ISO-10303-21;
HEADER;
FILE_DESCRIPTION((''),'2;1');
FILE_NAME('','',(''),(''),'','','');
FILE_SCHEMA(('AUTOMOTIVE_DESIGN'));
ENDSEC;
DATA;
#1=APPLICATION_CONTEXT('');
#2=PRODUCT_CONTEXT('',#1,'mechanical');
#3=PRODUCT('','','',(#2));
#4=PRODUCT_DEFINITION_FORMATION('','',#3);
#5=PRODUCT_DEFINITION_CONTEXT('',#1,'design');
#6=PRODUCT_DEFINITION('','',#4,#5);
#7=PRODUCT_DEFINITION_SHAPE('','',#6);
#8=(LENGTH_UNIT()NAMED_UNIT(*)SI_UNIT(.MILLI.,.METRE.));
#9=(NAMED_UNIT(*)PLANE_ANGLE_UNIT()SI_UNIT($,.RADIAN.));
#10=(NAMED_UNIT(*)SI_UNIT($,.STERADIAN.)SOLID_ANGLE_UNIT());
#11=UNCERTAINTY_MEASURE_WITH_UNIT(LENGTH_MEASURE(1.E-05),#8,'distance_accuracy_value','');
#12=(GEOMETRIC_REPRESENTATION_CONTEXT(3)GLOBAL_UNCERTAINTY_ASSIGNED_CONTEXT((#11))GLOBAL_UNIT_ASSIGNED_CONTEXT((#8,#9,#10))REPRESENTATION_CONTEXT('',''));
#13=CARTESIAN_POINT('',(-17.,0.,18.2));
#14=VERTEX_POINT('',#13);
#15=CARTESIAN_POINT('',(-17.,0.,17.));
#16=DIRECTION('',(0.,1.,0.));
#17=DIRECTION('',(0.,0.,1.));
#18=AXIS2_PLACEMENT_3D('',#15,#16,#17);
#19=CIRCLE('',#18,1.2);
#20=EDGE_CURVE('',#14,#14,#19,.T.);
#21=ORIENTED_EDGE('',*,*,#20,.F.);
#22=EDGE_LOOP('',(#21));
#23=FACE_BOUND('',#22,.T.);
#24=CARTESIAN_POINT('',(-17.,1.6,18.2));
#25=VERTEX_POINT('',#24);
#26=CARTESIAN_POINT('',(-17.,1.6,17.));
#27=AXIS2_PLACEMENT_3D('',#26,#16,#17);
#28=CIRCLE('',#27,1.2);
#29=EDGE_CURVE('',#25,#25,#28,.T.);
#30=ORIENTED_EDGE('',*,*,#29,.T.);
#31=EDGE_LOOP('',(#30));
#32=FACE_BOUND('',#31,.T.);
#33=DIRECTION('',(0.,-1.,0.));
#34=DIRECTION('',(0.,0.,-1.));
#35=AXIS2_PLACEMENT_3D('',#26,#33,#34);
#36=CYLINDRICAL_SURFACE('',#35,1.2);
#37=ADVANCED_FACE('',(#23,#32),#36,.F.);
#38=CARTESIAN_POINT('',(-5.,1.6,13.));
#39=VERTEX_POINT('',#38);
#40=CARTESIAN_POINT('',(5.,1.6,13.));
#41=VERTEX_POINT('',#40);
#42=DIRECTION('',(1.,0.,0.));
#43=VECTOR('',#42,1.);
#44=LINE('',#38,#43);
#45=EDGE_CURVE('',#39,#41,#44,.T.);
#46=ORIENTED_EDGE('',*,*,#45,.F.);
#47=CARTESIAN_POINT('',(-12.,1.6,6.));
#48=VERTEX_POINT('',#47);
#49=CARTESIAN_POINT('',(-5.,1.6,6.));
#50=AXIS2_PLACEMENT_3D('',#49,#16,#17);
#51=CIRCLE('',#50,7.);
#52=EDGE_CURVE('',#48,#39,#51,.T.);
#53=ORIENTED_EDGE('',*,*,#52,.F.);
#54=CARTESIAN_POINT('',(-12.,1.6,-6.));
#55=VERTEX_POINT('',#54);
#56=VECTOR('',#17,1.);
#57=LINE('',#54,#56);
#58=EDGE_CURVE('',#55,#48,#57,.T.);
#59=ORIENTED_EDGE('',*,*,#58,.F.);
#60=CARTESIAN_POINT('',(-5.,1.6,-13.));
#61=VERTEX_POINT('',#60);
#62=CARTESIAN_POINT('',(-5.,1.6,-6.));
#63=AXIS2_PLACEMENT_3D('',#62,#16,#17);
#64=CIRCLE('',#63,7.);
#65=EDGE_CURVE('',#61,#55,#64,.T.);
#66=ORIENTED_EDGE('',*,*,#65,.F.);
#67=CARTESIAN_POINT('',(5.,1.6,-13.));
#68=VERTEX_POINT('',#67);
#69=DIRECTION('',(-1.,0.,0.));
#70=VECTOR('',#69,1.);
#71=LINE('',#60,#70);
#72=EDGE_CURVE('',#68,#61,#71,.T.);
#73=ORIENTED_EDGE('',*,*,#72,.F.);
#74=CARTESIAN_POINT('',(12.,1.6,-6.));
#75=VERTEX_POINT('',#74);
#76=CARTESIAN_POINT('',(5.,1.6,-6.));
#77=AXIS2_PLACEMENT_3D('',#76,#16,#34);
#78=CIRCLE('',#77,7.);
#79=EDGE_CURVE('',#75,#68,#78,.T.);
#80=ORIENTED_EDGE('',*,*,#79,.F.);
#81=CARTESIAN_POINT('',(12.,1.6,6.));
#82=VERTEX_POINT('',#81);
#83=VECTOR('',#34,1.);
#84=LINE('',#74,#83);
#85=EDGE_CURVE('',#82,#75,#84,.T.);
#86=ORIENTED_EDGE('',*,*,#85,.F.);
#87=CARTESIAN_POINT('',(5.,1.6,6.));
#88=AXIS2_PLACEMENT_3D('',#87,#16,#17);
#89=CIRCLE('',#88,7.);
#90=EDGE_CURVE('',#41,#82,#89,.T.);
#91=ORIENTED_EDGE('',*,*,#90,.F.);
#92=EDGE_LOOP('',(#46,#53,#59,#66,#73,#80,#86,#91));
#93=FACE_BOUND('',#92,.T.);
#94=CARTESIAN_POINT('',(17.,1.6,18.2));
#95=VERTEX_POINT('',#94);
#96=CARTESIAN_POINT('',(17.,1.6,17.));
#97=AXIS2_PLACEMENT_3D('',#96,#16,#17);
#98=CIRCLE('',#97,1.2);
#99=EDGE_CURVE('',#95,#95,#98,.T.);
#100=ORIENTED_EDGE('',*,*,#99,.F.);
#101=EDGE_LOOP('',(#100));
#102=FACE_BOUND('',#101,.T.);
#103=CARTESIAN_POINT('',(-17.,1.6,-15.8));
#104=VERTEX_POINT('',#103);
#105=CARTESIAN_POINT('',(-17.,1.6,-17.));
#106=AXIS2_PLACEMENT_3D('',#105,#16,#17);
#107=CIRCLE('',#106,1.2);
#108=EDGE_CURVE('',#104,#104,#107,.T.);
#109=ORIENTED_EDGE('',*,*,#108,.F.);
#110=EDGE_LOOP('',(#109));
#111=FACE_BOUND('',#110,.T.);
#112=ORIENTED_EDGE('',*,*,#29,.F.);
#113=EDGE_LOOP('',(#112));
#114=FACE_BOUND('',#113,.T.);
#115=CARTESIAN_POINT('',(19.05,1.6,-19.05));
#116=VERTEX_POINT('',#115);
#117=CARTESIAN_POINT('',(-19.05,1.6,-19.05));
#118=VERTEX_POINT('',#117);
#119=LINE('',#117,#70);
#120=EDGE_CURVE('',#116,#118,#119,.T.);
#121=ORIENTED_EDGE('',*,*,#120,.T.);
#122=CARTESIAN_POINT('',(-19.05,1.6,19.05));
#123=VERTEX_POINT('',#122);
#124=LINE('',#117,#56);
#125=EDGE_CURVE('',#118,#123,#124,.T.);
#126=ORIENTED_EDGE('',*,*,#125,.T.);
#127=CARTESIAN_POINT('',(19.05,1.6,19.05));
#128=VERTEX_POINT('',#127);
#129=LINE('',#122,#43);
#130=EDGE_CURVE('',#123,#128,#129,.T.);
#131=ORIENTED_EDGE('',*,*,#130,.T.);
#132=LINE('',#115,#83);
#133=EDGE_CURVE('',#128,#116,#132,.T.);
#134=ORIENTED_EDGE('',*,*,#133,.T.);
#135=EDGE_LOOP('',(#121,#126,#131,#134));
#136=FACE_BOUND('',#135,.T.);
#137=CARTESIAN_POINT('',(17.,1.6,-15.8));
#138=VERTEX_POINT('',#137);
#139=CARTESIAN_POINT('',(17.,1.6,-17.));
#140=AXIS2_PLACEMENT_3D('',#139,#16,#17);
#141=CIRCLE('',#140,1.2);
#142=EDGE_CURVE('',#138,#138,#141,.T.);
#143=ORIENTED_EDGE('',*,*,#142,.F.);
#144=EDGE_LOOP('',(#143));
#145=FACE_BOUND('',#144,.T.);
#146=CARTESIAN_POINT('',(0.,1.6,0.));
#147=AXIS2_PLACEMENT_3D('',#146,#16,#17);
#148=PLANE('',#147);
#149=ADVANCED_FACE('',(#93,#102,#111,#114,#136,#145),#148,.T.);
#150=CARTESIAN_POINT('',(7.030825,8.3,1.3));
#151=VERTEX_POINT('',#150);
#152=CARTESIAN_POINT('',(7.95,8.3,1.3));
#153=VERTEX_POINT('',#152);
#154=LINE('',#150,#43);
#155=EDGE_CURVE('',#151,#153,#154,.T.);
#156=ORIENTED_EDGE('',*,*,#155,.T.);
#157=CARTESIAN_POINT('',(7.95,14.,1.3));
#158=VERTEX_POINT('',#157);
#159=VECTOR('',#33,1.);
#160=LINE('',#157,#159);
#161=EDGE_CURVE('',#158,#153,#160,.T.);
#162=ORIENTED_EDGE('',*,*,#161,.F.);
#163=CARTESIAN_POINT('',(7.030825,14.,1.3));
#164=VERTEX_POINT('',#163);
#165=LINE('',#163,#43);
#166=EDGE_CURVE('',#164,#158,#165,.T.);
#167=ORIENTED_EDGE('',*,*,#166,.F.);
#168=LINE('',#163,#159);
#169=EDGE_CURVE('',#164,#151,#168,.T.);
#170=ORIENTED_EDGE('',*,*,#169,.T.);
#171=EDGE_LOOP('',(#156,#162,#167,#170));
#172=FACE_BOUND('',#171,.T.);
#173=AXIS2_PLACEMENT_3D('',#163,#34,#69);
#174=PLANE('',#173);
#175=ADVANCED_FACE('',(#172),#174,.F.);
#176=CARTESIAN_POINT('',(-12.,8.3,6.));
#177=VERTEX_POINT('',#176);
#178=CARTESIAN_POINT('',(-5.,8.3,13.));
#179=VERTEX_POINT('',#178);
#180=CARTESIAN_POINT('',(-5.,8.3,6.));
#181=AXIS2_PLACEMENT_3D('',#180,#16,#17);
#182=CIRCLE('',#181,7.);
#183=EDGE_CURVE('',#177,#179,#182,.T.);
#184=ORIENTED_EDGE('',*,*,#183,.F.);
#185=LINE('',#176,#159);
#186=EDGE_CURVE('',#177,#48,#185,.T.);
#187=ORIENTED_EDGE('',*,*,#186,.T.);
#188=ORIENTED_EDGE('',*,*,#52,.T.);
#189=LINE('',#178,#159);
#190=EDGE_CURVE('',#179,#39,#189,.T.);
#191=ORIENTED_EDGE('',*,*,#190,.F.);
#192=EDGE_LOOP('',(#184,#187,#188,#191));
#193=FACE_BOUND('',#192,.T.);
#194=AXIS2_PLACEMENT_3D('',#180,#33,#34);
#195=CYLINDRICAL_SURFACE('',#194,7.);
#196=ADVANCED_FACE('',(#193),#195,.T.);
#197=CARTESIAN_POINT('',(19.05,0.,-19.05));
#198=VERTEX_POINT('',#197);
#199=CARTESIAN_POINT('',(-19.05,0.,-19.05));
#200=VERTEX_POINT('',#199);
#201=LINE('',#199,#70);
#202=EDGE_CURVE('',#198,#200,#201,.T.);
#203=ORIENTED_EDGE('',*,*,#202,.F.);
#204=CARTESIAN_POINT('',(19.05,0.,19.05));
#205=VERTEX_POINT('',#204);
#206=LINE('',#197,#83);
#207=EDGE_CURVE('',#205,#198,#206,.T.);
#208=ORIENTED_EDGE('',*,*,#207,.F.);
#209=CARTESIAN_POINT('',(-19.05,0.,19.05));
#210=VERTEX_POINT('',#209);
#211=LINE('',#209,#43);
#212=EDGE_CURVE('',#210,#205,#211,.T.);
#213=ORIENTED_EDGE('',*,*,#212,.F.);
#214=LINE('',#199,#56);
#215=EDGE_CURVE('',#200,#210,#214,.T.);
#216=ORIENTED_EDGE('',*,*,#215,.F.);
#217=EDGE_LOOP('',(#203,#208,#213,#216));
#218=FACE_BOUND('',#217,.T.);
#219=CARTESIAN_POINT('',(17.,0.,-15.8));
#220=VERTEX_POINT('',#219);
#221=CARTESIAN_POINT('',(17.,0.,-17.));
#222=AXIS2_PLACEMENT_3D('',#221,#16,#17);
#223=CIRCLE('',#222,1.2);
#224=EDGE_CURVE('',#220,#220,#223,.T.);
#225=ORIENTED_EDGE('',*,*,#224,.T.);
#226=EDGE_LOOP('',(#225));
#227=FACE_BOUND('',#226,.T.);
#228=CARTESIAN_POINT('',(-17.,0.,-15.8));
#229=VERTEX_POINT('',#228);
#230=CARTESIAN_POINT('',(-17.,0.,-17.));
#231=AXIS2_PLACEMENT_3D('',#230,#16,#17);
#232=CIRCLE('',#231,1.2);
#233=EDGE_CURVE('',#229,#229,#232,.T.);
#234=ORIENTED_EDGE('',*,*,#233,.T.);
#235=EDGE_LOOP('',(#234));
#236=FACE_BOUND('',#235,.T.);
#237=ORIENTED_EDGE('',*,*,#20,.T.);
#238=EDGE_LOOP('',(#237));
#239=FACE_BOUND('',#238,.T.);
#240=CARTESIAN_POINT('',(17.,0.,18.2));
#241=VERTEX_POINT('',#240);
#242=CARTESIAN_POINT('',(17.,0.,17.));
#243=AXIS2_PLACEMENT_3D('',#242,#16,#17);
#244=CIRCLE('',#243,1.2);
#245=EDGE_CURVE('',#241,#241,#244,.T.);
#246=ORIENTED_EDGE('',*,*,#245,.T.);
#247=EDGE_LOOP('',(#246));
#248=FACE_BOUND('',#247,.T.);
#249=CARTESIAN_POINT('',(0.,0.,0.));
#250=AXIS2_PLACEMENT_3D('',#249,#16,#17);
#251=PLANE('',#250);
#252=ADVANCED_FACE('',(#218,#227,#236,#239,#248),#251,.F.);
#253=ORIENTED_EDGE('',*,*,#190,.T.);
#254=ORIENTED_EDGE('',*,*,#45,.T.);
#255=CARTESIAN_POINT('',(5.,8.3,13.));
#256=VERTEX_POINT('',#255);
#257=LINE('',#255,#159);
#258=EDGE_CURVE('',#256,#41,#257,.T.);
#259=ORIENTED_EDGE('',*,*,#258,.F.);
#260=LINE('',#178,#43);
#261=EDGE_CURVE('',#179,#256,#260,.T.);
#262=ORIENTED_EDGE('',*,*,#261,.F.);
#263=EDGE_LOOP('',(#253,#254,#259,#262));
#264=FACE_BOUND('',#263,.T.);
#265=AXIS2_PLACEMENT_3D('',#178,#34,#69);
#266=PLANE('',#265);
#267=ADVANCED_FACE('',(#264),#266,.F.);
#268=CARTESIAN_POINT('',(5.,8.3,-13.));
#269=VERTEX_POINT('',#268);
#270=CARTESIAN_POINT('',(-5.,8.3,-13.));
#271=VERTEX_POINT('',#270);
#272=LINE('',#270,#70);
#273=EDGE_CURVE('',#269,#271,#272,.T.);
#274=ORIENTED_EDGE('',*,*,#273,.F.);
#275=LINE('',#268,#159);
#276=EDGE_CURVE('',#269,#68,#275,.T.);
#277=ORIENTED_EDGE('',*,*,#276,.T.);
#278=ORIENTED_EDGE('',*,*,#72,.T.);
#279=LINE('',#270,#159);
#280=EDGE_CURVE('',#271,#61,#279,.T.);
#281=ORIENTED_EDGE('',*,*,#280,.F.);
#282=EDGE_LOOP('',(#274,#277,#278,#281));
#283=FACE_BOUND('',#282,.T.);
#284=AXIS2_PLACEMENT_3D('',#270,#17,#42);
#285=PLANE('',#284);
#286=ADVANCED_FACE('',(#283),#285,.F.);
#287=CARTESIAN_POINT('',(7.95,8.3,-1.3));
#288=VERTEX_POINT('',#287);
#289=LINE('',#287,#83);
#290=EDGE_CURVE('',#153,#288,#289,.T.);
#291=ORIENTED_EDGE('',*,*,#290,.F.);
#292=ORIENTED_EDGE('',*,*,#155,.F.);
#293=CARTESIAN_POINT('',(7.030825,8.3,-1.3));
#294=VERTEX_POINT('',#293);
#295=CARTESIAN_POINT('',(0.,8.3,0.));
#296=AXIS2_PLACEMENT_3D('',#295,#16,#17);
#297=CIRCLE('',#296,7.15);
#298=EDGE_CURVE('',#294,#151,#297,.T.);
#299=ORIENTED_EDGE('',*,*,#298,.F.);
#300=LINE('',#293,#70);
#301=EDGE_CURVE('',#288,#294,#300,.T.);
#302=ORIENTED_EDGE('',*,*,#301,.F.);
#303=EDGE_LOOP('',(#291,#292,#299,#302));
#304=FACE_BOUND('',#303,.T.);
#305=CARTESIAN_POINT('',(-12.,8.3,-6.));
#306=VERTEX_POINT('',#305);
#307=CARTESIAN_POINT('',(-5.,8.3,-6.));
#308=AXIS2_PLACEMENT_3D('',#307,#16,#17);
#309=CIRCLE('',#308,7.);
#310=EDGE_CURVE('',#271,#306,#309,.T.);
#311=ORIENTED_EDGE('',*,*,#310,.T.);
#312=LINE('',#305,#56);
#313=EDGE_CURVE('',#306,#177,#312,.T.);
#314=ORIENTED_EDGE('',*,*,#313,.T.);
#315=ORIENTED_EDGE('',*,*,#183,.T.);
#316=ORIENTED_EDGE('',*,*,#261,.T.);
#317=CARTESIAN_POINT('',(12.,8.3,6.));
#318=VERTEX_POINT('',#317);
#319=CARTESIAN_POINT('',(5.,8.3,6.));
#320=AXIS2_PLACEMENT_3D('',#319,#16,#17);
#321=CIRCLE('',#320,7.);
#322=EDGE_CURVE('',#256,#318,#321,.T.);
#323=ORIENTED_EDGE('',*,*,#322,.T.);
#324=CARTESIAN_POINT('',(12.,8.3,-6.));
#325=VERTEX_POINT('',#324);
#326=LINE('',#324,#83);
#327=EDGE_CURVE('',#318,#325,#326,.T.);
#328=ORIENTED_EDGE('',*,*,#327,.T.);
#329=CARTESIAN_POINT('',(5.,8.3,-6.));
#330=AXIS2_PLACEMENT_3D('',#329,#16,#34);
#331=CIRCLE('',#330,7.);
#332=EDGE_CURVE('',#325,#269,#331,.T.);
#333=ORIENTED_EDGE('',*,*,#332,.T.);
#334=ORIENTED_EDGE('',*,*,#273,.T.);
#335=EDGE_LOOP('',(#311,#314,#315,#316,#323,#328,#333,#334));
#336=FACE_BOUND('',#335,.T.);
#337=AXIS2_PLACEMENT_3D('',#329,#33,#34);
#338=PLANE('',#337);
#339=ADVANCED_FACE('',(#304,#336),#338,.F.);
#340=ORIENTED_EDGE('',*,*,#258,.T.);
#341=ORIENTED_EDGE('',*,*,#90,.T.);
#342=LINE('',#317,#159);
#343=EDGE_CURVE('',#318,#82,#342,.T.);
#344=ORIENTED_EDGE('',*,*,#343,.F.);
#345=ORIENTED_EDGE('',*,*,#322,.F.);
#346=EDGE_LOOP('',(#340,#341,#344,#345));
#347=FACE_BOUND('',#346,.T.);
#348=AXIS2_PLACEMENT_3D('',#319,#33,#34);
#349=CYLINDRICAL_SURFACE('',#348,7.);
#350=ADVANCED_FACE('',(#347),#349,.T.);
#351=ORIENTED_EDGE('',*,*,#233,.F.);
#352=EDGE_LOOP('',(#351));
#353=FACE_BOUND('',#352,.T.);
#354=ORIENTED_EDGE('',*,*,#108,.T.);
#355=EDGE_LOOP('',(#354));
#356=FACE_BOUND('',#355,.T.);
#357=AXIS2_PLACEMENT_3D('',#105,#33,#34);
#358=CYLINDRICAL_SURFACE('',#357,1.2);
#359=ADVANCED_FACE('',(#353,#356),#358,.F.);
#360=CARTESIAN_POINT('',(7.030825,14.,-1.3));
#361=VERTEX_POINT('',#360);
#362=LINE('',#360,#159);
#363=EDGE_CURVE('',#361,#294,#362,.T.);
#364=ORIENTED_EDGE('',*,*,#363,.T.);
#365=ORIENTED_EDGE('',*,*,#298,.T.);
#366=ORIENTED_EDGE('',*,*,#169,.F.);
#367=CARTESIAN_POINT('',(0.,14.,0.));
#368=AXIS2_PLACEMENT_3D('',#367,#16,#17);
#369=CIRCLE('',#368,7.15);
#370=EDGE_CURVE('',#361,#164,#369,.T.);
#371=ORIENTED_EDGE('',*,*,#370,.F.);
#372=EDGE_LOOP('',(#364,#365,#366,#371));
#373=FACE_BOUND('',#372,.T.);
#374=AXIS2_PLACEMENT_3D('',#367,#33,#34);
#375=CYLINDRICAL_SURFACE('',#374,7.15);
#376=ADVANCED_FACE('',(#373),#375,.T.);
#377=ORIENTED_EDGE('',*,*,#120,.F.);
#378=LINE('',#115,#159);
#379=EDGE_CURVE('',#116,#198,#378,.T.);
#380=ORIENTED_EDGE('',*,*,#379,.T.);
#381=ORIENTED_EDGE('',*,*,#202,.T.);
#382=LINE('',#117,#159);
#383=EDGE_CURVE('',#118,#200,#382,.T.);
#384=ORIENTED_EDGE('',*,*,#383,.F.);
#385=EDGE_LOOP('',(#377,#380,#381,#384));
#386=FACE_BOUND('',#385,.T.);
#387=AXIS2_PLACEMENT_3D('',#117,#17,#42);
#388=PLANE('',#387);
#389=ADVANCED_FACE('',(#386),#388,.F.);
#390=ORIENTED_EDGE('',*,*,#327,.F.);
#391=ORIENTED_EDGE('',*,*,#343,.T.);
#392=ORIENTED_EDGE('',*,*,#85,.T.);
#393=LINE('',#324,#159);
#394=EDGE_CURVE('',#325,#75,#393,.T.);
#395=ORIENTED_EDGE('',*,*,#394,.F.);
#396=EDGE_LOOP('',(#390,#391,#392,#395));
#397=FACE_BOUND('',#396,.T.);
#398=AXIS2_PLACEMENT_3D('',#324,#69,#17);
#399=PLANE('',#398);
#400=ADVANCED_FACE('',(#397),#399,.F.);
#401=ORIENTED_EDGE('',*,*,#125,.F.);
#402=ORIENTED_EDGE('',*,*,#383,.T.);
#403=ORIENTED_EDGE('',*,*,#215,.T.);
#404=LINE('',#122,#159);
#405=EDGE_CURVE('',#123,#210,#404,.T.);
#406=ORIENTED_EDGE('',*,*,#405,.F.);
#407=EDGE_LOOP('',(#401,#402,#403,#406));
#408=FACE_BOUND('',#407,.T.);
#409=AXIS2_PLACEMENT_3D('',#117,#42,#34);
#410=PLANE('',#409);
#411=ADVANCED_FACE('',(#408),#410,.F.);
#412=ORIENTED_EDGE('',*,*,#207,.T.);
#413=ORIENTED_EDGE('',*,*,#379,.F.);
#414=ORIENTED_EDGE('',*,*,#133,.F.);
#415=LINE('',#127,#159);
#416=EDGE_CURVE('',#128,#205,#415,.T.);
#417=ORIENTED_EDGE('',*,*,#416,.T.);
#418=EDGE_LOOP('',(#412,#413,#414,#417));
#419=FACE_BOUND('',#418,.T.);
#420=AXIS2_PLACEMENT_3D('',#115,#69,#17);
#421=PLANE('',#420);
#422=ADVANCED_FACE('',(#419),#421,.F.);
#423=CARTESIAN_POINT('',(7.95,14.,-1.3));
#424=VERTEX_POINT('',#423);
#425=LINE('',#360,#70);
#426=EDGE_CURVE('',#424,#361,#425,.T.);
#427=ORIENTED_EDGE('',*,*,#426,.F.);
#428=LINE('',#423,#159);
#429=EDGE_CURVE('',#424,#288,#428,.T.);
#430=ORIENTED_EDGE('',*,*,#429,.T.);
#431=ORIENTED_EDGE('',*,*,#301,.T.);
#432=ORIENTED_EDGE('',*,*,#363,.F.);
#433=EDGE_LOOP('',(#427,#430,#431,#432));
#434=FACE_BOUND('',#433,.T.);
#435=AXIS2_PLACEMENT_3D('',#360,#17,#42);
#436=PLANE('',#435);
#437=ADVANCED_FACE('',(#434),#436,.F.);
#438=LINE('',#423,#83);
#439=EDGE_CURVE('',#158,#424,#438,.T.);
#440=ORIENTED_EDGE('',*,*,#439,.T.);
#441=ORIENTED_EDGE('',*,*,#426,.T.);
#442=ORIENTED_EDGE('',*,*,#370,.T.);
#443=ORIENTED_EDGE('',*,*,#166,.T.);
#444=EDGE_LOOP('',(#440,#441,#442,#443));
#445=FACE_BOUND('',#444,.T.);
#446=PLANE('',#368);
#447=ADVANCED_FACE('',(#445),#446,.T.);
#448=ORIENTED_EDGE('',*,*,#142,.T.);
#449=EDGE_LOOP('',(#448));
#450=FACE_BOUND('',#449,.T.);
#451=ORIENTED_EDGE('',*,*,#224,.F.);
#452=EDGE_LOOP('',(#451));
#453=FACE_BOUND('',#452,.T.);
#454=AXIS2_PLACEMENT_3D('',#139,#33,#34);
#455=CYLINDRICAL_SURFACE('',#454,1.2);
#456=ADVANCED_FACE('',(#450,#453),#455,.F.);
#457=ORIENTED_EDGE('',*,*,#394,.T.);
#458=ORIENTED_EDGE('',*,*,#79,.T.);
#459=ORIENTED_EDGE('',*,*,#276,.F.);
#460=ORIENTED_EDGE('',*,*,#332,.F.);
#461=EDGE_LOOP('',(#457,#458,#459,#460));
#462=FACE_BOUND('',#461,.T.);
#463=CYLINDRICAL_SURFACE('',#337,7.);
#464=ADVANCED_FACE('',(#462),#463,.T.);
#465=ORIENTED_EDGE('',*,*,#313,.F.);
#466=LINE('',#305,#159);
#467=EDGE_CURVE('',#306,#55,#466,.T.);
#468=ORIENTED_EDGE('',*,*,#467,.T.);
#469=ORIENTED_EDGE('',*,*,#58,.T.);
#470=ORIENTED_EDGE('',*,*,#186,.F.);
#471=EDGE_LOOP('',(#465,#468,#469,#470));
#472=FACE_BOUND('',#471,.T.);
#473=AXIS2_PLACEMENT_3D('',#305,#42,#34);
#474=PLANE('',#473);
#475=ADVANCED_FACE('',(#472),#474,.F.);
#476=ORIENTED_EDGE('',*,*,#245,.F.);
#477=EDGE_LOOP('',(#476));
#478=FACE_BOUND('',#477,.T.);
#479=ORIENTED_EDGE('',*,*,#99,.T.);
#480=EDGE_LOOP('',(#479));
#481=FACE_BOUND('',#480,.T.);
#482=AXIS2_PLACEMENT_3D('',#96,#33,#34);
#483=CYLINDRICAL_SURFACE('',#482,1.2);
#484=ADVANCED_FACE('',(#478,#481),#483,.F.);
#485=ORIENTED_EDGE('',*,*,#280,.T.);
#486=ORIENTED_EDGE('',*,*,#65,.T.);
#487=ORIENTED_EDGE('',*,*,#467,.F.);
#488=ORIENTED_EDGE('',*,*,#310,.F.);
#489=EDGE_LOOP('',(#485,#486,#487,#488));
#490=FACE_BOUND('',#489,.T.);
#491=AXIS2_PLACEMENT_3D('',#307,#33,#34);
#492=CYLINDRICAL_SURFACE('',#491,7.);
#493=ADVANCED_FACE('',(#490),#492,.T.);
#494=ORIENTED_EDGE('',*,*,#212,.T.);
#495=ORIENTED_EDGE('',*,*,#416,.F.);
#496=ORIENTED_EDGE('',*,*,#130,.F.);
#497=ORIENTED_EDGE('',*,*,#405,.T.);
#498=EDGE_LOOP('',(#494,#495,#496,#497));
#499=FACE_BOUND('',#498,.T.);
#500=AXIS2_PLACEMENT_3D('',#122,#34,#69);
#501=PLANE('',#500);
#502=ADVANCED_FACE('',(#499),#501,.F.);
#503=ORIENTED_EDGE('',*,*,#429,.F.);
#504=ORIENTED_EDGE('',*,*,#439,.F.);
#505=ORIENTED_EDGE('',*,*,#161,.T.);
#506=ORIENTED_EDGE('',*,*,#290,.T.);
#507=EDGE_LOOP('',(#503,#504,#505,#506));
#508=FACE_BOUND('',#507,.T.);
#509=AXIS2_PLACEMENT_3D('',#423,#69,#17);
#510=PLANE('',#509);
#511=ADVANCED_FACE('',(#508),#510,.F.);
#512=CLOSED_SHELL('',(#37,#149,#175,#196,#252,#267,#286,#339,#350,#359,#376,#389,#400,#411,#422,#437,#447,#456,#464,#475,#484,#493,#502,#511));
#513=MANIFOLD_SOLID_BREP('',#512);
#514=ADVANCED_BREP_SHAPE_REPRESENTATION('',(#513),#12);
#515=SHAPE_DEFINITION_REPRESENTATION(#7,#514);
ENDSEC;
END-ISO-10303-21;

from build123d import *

# Parameters (mm, degrees)
SKETCH1_W           = 38.1
SKETCH1_H           = 38.1
SKETCH1_R           = 1.2
BOSS_EXTRUDE1_DEPTH = 1.6
BOSS_EXTRUDE2_DEPTH = 6.7
BOSS_EXTRUDE3_DEPTH = 5.7


with BuildPart() as part:
    # Sketch1 → Boss-Extrude1 (new body)
    with BuildSketch(Plane(origin=(0, 0, 0), x_dir=(1, 0, 0), z_dir=(0, 1, 0))):
        Rectangle(SKETCH1_W, SKETCH1_H)
        with Locations(Location((-17, 17, 0), (0, 0, 270))):
            Circle(SKETCH1_R, mode=Mode.SUBTRACT)
        with Locations(Location((17, 17, 0), (0, 0, 270))):
            Circle(SKETCH1_R, mode=Mode.SUBTRACT)
        with Locations(Location((17, -17, 0), (0, 0, 270))):
            Circle(SKETCH1_R, mode=Mode.SUBTRACT)
        with Locations(Location((-17, -17, 0), (0, 0, 270))):
            Circle(SKETCH1_R, mode=Mode.SUBTRACT)
    extrude(amount=BOSS_EXTRUDE1_DEPTH)

    # Sketch2 → Boss-Extrude2 (add)
    with BuildSketch(Plane(origin=(0, 1.6, 0), x_dir=(1, 0, 0), z_dir=(0, 1, 0))):
        with BuildLine():
            Line((-5, 13), (5, 13))
            ThreePointArc((5, 13), (9.949747468, 10.949747468), (12, 6))
            Line((12, 6), (12, -6))
            ThreePointArc((12, -6), (9.949747468, -10.949747468), (5, -13))
            Line((5, -13), (-5, -13))
            ThreePointArc((-5, -13), (-9.949747468, -10.949747468), (-12, -6))
            Line((-12, -6), (-12, 6))
            ThreePointArc((-12, 6), (-9.949747468, 10.949747468), (-5, 13))
        make_face()
    extrude(amount=BOSS_EXTRUDE2_DEPTH)

    # Sketch3 → Boss-Extrude3 (add)
    with BuildSketch(Plane(origin=(0, 8.3, 0), x_dir=(1, 0, 0), z_dir=(0, 1, 0))):
        with BuildLine():
            Line((7.030824987, 1.3), (7.95, 1.3))
            Line((7.95, 1.3), (7.95, -1.3))
            Line((7.95, -1.3), (7.030824987, -1.3))
            ThreePointArc((7.030824987, -1.3), (-7.15, 0), (7.030824987, 1.3))
        make_face()
    extrude(amount=BOSS_EXTRUDE3_DEPTH)


solid = part.part
